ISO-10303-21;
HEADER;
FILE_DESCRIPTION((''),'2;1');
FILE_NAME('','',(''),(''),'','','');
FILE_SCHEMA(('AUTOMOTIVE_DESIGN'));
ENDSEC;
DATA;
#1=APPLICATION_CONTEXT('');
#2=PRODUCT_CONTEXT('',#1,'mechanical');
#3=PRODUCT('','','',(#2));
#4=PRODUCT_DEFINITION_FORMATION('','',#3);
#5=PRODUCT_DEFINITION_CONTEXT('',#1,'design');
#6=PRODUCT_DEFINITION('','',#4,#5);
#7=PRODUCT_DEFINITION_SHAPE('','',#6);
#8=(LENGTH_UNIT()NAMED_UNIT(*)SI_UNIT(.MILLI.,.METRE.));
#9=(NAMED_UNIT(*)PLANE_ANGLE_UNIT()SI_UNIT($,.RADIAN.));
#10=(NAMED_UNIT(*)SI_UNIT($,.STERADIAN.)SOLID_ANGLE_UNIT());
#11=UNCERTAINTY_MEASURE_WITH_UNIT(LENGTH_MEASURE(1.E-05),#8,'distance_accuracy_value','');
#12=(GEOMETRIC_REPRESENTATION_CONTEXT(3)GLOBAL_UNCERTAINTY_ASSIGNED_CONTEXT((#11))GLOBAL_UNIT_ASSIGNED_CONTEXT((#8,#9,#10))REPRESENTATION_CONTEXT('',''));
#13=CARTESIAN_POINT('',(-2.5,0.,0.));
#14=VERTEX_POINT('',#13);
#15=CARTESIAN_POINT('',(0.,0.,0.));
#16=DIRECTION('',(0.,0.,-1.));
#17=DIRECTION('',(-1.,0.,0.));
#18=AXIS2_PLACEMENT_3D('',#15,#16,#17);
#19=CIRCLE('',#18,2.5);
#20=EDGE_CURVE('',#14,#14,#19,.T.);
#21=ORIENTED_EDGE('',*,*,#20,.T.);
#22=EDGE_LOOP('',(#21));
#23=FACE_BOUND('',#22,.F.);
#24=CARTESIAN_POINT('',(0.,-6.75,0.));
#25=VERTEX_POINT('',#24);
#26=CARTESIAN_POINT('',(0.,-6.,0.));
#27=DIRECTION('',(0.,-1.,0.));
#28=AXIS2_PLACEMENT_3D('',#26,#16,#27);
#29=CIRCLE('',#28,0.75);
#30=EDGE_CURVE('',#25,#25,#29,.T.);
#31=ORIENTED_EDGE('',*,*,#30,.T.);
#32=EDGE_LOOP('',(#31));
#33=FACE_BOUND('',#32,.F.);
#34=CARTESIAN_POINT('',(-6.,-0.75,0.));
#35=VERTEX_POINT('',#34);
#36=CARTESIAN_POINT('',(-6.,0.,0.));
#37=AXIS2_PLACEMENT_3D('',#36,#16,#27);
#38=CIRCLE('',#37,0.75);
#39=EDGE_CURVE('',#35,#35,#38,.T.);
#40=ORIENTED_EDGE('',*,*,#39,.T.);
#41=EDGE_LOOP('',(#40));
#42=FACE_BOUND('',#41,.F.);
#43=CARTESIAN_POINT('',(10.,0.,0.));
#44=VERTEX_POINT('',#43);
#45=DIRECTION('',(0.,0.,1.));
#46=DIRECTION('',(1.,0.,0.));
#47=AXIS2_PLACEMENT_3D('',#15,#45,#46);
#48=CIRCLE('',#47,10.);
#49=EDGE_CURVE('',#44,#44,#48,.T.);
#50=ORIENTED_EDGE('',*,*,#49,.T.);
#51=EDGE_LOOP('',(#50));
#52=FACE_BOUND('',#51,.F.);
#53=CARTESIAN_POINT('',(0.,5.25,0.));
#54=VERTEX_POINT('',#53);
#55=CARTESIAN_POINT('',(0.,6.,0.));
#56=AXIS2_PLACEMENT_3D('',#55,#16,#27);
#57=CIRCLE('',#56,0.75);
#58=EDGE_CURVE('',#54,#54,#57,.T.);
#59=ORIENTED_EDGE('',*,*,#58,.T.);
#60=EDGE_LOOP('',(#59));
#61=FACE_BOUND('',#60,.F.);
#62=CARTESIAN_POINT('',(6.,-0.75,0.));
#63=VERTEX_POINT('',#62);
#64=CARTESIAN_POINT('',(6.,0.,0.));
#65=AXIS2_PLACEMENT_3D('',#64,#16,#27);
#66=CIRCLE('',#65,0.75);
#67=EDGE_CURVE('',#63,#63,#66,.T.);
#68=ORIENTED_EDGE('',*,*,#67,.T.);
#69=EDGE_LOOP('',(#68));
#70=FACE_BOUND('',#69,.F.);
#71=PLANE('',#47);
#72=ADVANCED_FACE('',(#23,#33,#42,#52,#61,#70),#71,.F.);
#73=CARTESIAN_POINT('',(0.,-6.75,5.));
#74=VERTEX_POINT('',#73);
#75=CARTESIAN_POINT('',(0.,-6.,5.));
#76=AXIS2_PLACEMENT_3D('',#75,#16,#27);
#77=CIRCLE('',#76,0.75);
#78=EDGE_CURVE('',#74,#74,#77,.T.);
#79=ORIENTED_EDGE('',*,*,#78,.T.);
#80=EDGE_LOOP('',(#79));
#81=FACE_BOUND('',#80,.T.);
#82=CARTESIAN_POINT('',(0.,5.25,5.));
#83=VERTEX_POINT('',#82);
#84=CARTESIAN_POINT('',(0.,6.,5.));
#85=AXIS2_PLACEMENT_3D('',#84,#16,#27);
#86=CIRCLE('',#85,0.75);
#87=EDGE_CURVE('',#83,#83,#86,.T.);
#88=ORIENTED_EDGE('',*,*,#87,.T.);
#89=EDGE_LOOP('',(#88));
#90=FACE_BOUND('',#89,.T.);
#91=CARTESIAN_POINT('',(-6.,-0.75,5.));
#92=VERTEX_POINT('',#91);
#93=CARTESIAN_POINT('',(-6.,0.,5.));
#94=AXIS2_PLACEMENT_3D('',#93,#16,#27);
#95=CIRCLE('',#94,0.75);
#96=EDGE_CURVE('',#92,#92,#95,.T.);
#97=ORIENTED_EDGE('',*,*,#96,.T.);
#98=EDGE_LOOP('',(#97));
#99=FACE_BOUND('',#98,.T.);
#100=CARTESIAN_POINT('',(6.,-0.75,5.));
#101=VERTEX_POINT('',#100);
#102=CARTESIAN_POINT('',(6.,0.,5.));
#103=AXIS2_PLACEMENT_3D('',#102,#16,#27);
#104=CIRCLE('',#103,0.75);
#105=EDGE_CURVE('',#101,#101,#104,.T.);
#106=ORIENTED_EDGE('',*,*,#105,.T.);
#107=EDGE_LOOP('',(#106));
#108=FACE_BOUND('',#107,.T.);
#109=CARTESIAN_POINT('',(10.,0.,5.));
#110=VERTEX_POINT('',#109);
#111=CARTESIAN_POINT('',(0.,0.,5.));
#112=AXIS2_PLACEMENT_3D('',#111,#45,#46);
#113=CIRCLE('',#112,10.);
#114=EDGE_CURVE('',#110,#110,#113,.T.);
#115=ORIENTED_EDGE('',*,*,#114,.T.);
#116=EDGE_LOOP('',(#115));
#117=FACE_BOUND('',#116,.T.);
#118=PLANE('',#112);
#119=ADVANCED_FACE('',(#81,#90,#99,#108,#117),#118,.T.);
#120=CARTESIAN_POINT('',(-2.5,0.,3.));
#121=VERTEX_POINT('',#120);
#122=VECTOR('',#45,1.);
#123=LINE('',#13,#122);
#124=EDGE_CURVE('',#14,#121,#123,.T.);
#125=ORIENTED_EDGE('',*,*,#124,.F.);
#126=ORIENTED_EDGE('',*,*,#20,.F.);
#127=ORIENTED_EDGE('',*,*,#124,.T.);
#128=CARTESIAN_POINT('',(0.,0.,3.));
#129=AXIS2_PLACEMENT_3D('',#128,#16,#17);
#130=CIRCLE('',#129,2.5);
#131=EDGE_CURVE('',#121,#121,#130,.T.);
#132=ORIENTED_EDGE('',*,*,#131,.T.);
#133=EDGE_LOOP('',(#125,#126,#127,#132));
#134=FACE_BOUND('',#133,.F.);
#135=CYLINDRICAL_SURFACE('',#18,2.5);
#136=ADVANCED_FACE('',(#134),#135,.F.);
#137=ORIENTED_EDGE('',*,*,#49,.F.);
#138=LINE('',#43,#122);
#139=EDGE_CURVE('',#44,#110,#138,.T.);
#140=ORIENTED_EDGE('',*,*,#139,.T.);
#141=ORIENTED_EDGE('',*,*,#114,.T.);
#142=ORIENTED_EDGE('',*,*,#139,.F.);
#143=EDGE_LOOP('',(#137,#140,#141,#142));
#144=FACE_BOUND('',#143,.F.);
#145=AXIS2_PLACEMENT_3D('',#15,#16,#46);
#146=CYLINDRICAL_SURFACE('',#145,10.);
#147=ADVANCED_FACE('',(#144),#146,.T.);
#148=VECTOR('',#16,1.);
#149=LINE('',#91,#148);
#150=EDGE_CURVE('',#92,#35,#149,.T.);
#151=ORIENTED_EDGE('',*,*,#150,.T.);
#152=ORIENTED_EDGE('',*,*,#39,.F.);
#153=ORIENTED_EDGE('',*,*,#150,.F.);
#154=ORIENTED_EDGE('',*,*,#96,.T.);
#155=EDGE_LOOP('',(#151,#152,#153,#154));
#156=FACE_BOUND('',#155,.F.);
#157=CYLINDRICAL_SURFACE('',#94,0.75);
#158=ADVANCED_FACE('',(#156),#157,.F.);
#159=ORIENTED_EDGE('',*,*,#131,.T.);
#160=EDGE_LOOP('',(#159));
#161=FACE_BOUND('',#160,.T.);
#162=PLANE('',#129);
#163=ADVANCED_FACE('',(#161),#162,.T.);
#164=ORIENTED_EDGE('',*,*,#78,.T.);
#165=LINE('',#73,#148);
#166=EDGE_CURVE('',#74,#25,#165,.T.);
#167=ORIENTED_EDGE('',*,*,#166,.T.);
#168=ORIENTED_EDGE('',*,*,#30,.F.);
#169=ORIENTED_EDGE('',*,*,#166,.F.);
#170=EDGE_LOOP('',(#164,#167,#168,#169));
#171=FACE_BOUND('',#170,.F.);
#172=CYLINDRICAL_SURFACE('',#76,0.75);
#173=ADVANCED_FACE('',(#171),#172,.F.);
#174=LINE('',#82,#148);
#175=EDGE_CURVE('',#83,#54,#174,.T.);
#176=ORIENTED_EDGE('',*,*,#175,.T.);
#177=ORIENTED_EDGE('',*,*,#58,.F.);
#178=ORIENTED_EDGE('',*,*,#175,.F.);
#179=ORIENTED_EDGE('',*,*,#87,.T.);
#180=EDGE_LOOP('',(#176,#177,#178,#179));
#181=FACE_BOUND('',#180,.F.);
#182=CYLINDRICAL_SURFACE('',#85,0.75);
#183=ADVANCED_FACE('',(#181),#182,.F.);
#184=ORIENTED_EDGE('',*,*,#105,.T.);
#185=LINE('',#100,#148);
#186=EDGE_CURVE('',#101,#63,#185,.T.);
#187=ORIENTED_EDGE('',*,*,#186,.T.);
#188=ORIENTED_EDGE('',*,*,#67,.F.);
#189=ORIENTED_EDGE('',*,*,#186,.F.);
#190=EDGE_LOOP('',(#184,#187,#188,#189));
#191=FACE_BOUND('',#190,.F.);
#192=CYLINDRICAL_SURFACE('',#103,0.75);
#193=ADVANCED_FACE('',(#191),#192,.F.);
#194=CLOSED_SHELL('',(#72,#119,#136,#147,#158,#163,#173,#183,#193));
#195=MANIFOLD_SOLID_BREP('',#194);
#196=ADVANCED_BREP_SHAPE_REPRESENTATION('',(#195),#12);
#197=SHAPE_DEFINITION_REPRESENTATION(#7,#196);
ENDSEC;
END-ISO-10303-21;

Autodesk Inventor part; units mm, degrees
ref_plane "YZ Plane" through (0, 0, 0) normal (1, 0, 0) x (0, 1, 0)
ref_plane "XZ Plane" through (0, 0, 0) normal (0, 1, 0) x (-1, 0, 0)
ref_plane "XY Plane" through (0, 0, 0) normal (0, 0, 1) x (1, 0, 0)
sketch "スケッチ1" plane through (0, 0, 0) normal (0, 0, 1) x (1, 0, 0)
  circle A0 centre (0, 0) radius 10
  dimension "d0" = 20
extrude "押し出し1" add sketch "スケッチ1" along normal blind 5
sketch "スケッチ2" plane through (0, 0, 5) normal (0, 0, 1) x (1, 0, 0)
  circle A0 centre (0, 0) radius 6
  line L0 (-6, 6) -> (6, 6)
  line L1 (6, 6) -> (6, -6)
  line L2 (6, -6) -> (-6, -6)
  line L3 (-6, -6) -> (-6, 6)
  point P0 (0, 6)
  point P1 (-6, 0)
  point P2 (0, -6)
  point P3 (6, 0)
  dimension "d3" = 12
  dimension "d6" = 360
  dimension "d8" = 6
hole "穴1" at (0, 6, 5) at (-6, 0, 5) at (0, -6, 5) at (6, 0, 5) direction (0, 0, -1) diameter 1.5 end through all
sketch "スケッチ3" plane through (0, 0, 0) normal (0, 0, -1) x (-1, 0, 0)
  circle A0 centre (0, 0) radius 2.5
  dimension "d16" = 5
extrude "押し出し2" cut sketch "スケッチ3" against normal blind 3
properties part number "servo_horn"
